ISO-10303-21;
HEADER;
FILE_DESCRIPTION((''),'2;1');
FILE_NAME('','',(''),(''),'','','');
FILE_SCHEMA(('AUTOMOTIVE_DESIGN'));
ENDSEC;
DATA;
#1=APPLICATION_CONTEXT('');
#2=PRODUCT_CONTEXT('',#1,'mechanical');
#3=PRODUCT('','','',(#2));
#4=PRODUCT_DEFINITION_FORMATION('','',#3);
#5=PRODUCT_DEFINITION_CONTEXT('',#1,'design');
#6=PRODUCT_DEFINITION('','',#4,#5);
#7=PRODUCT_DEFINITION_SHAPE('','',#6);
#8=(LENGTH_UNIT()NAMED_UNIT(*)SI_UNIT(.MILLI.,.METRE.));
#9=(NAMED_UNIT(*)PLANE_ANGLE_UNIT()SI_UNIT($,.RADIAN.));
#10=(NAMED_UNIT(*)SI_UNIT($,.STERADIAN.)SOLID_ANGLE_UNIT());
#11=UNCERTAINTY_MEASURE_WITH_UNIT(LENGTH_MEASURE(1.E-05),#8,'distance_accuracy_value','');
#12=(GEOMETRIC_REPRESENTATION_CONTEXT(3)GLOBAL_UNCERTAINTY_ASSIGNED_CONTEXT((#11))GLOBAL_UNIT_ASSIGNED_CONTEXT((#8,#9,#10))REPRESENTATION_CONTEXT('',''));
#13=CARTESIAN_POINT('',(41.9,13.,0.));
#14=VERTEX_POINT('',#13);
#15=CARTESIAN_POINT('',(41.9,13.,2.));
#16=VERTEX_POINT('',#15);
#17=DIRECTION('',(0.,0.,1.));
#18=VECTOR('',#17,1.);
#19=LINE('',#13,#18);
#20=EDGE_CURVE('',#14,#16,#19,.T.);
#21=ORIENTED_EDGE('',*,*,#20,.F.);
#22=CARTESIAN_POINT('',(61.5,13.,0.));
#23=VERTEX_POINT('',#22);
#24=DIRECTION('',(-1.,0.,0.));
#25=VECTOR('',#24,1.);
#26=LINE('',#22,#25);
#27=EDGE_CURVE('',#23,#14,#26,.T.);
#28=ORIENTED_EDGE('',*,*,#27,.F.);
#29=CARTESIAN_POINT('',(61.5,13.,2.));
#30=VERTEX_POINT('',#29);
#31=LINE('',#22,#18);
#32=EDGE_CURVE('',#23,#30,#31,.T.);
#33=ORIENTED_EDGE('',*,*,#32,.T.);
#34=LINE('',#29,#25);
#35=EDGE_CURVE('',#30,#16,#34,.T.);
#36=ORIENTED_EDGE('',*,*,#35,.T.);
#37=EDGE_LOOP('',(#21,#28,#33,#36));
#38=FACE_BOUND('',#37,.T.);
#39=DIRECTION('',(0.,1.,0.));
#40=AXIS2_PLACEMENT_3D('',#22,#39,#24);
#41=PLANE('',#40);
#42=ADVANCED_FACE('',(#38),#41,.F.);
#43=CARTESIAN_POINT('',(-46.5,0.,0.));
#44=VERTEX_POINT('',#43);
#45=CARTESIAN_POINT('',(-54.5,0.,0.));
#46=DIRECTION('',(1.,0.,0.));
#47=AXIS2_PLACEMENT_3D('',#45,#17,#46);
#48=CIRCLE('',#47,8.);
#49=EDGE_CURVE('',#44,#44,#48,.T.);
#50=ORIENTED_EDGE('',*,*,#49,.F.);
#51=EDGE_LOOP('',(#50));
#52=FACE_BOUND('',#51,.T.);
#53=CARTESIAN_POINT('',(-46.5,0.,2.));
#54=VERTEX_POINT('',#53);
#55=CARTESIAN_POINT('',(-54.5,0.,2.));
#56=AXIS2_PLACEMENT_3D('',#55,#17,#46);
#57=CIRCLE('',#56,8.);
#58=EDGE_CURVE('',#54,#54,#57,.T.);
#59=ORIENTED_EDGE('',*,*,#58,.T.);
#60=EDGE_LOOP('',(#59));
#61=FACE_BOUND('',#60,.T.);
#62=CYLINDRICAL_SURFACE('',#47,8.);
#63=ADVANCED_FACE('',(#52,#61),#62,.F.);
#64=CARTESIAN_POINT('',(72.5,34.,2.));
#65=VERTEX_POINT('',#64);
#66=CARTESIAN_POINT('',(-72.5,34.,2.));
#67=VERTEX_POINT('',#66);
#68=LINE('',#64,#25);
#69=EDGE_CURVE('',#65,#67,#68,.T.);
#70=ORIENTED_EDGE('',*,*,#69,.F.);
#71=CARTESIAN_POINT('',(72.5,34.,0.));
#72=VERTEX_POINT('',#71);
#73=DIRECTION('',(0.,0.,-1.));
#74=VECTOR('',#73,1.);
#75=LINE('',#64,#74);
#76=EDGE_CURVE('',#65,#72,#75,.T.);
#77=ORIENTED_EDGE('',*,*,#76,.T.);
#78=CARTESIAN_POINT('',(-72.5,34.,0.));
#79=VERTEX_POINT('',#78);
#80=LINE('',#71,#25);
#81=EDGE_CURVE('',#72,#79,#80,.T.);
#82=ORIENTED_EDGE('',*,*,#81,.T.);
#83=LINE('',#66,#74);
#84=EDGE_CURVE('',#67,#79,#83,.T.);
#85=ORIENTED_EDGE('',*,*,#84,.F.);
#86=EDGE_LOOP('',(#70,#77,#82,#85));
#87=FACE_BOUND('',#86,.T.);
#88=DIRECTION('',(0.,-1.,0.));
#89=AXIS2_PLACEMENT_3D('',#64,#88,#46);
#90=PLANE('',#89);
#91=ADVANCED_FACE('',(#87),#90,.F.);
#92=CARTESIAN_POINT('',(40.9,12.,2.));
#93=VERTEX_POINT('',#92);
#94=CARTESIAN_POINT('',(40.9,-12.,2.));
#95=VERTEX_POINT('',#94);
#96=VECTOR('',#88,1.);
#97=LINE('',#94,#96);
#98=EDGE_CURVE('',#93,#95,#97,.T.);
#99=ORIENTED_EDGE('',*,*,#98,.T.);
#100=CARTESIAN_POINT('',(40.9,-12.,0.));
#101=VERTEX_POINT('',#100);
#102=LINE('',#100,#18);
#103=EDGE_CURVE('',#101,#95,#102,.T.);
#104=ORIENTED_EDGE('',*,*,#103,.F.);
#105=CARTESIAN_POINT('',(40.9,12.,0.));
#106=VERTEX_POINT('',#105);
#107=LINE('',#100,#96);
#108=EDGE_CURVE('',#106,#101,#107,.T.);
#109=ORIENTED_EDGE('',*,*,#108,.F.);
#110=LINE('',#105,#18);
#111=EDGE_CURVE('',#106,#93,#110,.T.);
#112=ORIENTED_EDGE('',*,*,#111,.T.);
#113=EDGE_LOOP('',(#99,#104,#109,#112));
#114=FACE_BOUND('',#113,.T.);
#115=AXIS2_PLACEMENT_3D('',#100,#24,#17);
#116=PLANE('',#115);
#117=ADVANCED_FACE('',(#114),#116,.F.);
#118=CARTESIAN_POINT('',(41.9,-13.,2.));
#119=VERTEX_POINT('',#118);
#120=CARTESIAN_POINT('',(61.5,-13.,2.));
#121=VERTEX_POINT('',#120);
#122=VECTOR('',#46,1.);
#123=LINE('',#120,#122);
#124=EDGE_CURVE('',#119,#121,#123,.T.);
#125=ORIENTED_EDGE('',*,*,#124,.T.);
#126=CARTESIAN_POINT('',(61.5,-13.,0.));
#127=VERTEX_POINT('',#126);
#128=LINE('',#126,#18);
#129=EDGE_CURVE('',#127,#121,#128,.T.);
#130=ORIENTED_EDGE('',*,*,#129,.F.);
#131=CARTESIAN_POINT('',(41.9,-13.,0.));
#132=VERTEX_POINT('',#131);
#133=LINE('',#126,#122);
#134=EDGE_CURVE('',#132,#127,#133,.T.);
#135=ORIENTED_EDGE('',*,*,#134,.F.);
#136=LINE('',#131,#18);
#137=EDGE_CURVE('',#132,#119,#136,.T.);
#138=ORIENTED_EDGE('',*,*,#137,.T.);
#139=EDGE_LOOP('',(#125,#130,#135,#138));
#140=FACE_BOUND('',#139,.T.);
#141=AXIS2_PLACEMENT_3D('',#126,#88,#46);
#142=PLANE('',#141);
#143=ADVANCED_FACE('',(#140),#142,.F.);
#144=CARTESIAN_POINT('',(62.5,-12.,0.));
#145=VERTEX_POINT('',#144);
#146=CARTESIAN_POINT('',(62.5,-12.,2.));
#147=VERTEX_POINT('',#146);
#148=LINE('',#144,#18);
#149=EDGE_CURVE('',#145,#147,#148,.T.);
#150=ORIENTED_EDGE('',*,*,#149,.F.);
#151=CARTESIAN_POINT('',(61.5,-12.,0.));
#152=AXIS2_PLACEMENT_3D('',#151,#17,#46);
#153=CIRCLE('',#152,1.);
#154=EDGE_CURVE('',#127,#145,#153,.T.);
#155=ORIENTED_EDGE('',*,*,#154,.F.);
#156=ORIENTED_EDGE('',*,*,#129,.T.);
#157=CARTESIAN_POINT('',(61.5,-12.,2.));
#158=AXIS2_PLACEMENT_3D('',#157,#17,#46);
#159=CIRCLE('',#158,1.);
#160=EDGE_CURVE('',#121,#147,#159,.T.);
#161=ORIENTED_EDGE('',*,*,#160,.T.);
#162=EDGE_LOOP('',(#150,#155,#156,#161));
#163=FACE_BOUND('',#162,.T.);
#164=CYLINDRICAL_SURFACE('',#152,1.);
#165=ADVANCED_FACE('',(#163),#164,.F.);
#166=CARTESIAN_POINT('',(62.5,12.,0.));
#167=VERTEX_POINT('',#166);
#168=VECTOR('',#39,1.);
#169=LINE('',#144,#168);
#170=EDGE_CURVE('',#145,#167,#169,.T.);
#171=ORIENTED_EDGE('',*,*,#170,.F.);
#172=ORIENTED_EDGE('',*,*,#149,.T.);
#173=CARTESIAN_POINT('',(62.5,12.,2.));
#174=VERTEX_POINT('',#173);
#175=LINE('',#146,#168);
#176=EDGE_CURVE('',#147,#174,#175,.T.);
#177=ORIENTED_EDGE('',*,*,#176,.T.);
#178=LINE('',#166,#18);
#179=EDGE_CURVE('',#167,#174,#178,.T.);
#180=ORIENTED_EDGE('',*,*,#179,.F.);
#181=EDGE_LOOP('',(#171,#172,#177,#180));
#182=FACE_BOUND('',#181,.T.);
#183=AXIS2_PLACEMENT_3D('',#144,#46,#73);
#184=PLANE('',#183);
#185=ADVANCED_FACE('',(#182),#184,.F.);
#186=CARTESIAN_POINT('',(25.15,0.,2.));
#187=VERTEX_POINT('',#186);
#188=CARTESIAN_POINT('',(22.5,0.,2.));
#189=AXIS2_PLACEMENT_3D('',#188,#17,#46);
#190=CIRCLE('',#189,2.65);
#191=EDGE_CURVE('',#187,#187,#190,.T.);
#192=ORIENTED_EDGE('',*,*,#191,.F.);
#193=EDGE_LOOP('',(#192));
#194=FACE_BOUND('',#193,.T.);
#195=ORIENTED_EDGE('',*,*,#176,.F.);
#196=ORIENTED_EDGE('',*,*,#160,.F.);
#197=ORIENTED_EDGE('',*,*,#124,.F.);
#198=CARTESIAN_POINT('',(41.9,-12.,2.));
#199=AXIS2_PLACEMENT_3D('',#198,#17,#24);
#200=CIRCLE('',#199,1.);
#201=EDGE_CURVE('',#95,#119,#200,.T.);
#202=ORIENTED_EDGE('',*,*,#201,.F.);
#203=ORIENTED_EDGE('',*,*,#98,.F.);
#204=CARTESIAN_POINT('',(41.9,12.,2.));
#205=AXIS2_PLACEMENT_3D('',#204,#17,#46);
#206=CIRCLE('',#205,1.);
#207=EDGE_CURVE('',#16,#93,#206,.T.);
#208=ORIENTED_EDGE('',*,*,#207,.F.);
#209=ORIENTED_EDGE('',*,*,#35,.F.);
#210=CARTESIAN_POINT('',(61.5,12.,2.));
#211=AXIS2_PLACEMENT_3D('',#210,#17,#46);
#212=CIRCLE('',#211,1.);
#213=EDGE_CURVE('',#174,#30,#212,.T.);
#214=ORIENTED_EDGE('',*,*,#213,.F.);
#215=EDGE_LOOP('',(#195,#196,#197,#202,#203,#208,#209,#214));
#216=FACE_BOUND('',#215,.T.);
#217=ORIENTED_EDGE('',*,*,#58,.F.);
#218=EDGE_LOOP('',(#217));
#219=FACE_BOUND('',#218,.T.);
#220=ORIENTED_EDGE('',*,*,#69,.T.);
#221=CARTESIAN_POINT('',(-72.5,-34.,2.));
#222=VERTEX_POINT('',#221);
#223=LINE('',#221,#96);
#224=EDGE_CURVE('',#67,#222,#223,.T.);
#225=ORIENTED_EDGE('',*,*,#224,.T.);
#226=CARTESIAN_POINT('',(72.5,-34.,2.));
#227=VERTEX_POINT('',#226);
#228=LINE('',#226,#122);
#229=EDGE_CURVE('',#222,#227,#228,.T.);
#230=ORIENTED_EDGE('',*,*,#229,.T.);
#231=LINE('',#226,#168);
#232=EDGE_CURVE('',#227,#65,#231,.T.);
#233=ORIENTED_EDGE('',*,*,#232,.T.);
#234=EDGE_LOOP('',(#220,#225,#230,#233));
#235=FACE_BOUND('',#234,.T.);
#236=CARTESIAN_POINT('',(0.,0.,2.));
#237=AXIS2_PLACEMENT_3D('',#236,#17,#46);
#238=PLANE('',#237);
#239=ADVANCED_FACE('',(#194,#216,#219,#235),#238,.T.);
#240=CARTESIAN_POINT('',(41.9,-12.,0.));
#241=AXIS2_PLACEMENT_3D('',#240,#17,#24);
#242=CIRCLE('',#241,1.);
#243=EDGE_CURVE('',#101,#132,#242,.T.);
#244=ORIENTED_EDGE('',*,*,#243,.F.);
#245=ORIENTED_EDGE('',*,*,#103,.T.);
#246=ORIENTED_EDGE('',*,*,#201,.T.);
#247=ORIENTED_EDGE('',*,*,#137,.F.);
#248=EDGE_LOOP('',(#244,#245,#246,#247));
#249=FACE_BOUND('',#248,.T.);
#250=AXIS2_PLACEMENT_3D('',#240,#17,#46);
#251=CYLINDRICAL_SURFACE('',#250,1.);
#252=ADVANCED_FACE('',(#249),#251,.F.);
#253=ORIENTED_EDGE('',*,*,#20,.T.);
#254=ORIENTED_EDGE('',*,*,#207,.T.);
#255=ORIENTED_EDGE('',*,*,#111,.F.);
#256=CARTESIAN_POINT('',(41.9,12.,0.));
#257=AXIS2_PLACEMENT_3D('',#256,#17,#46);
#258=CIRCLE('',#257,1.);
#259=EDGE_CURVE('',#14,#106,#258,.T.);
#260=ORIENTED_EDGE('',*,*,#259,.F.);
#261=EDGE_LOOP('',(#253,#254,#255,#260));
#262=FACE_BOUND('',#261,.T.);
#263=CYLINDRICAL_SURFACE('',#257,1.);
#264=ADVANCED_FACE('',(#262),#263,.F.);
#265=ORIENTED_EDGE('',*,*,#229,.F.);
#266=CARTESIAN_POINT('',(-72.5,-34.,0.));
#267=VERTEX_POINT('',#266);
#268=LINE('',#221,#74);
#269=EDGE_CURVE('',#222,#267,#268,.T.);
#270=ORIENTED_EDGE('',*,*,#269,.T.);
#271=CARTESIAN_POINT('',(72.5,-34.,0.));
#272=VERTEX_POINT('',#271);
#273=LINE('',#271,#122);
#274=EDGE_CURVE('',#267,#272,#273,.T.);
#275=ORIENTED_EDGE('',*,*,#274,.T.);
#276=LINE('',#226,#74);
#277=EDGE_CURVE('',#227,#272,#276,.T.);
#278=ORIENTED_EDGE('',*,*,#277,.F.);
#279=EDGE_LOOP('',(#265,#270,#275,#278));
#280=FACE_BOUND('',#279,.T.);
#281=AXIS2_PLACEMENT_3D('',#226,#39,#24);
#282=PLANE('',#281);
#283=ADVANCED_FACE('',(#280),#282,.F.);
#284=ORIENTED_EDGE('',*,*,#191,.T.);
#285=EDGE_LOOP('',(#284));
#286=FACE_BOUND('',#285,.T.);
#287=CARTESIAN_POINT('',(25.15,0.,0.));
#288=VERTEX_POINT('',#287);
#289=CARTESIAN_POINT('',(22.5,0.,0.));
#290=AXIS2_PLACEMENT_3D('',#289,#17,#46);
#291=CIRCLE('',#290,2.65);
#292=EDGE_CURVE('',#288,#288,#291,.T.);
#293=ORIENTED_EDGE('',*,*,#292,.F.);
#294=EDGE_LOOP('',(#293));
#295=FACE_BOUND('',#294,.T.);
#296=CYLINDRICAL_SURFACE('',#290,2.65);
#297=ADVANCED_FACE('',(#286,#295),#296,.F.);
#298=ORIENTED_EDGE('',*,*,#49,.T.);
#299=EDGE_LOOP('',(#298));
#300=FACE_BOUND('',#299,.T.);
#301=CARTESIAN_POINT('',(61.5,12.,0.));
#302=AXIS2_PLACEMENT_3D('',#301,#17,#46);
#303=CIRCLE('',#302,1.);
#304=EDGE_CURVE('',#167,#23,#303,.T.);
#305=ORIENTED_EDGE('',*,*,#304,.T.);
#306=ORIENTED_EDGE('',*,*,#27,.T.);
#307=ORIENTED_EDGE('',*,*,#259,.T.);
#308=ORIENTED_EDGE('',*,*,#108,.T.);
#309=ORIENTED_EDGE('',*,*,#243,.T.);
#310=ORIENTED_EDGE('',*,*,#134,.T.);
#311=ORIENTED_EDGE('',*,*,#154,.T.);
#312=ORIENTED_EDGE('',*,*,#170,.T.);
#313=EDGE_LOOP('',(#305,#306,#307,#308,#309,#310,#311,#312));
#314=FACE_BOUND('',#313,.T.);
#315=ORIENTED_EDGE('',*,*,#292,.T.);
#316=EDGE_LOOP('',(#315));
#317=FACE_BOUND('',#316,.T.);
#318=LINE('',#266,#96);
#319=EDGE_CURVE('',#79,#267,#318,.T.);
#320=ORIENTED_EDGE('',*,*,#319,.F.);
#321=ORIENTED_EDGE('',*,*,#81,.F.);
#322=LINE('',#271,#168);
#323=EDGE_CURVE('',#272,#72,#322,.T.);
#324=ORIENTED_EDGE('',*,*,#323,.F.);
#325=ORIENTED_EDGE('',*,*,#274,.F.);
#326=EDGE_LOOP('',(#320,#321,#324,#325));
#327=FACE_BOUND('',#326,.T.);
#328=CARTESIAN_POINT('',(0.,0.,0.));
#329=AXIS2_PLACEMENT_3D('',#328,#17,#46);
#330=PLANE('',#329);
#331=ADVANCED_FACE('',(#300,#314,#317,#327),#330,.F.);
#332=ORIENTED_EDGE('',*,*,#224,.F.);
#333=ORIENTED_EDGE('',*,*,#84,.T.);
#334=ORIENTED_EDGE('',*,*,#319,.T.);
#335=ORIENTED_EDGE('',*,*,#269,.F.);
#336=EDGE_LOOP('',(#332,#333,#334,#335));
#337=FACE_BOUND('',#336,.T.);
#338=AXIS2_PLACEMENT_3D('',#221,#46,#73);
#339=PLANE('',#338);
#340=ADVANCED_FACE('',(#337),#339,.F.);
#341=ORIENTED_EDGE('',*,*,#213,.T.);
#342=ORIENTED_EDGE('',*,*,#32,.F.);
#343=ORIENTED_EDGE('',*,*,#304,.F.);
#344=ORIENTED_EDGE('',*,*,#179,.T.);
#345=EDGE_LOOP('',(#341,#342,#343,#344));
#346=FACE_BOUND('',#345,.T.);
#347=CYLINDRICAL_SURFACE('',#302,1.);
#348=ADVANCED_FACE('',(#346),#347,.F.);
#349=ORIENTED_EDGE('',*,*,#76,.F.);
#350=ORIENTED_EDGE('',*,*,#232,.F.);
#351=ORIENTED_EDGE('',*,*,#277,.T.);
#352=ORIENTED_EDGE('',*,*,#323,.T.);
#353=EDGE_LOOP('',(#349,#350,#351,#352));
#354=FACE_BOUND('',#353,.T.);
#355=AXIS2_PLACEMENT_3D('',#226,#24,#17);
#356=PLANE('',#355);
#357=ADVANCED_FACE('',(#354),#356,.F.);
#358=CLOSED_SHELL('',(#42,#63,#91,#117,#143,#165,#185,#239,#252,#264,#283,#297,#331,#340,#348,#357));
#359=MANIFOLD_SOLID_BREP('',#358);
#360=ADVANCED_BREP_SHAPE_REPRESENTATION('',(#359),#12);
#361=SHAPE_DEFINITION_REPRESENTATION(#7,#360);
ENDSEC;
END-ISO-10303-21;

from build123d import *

# Parameters (mm, degrees)
SKETCH1_W           = 145
SKETCH1_H           = 68
BOSS_EXTRUDE1_DEPTH = 2
SKETCH2_R           = 8
SKETCH2_R_2         = 2.65
CUT_EXTRUDE1_DEPTH  = 81.101498113


with BuildPart() as part:
    # Sketch1 → Boss-Extrude1 (new body)
    with BuildSketch(Plane.XY):
        Rectangle(SKETCH1_W, SKETCH1_H)
    extrude(amount=BOSS_EXTRUDE1_DEPTH)

    # Sketch2 → Cut-Extrude1 (cut, through all)
    with BuildSketch(Plane.XY.offset(2)):
        with Locations((-54.5, 0)):
            Circle(SKETCH2_R)
        with Locations((22.5, 0)):
            Circle(SKETCH2_R_2)
        with BuildLine():
            Line((61.5, -13), (41.9, -13))
            ThreePointArc((41.9, -13), (41.192893219, -12.707106781), (40.9, -12))
            Line((40.9, -12), (40.9, 12))
            ThreePointArc((40.9, 12), (41.192893219, 12.707106781), (41.9, 13))
            Line((41.9, 13), (61.5, 13))
            ThreePointArc((61.5, 13), (62.207106781, 12.707106781), (62.5, 12))
            Line((62.5, 12), (62.5, -12))
            ThreePointArc((62.5, -12), (62.207106781, -12.707106781), (61.5, -13))
        make_face()
    extrude(amount=-CUT_EXTRUDE1_DEPTH, mode=Mode.SUBTRACT)


solid = part.part
